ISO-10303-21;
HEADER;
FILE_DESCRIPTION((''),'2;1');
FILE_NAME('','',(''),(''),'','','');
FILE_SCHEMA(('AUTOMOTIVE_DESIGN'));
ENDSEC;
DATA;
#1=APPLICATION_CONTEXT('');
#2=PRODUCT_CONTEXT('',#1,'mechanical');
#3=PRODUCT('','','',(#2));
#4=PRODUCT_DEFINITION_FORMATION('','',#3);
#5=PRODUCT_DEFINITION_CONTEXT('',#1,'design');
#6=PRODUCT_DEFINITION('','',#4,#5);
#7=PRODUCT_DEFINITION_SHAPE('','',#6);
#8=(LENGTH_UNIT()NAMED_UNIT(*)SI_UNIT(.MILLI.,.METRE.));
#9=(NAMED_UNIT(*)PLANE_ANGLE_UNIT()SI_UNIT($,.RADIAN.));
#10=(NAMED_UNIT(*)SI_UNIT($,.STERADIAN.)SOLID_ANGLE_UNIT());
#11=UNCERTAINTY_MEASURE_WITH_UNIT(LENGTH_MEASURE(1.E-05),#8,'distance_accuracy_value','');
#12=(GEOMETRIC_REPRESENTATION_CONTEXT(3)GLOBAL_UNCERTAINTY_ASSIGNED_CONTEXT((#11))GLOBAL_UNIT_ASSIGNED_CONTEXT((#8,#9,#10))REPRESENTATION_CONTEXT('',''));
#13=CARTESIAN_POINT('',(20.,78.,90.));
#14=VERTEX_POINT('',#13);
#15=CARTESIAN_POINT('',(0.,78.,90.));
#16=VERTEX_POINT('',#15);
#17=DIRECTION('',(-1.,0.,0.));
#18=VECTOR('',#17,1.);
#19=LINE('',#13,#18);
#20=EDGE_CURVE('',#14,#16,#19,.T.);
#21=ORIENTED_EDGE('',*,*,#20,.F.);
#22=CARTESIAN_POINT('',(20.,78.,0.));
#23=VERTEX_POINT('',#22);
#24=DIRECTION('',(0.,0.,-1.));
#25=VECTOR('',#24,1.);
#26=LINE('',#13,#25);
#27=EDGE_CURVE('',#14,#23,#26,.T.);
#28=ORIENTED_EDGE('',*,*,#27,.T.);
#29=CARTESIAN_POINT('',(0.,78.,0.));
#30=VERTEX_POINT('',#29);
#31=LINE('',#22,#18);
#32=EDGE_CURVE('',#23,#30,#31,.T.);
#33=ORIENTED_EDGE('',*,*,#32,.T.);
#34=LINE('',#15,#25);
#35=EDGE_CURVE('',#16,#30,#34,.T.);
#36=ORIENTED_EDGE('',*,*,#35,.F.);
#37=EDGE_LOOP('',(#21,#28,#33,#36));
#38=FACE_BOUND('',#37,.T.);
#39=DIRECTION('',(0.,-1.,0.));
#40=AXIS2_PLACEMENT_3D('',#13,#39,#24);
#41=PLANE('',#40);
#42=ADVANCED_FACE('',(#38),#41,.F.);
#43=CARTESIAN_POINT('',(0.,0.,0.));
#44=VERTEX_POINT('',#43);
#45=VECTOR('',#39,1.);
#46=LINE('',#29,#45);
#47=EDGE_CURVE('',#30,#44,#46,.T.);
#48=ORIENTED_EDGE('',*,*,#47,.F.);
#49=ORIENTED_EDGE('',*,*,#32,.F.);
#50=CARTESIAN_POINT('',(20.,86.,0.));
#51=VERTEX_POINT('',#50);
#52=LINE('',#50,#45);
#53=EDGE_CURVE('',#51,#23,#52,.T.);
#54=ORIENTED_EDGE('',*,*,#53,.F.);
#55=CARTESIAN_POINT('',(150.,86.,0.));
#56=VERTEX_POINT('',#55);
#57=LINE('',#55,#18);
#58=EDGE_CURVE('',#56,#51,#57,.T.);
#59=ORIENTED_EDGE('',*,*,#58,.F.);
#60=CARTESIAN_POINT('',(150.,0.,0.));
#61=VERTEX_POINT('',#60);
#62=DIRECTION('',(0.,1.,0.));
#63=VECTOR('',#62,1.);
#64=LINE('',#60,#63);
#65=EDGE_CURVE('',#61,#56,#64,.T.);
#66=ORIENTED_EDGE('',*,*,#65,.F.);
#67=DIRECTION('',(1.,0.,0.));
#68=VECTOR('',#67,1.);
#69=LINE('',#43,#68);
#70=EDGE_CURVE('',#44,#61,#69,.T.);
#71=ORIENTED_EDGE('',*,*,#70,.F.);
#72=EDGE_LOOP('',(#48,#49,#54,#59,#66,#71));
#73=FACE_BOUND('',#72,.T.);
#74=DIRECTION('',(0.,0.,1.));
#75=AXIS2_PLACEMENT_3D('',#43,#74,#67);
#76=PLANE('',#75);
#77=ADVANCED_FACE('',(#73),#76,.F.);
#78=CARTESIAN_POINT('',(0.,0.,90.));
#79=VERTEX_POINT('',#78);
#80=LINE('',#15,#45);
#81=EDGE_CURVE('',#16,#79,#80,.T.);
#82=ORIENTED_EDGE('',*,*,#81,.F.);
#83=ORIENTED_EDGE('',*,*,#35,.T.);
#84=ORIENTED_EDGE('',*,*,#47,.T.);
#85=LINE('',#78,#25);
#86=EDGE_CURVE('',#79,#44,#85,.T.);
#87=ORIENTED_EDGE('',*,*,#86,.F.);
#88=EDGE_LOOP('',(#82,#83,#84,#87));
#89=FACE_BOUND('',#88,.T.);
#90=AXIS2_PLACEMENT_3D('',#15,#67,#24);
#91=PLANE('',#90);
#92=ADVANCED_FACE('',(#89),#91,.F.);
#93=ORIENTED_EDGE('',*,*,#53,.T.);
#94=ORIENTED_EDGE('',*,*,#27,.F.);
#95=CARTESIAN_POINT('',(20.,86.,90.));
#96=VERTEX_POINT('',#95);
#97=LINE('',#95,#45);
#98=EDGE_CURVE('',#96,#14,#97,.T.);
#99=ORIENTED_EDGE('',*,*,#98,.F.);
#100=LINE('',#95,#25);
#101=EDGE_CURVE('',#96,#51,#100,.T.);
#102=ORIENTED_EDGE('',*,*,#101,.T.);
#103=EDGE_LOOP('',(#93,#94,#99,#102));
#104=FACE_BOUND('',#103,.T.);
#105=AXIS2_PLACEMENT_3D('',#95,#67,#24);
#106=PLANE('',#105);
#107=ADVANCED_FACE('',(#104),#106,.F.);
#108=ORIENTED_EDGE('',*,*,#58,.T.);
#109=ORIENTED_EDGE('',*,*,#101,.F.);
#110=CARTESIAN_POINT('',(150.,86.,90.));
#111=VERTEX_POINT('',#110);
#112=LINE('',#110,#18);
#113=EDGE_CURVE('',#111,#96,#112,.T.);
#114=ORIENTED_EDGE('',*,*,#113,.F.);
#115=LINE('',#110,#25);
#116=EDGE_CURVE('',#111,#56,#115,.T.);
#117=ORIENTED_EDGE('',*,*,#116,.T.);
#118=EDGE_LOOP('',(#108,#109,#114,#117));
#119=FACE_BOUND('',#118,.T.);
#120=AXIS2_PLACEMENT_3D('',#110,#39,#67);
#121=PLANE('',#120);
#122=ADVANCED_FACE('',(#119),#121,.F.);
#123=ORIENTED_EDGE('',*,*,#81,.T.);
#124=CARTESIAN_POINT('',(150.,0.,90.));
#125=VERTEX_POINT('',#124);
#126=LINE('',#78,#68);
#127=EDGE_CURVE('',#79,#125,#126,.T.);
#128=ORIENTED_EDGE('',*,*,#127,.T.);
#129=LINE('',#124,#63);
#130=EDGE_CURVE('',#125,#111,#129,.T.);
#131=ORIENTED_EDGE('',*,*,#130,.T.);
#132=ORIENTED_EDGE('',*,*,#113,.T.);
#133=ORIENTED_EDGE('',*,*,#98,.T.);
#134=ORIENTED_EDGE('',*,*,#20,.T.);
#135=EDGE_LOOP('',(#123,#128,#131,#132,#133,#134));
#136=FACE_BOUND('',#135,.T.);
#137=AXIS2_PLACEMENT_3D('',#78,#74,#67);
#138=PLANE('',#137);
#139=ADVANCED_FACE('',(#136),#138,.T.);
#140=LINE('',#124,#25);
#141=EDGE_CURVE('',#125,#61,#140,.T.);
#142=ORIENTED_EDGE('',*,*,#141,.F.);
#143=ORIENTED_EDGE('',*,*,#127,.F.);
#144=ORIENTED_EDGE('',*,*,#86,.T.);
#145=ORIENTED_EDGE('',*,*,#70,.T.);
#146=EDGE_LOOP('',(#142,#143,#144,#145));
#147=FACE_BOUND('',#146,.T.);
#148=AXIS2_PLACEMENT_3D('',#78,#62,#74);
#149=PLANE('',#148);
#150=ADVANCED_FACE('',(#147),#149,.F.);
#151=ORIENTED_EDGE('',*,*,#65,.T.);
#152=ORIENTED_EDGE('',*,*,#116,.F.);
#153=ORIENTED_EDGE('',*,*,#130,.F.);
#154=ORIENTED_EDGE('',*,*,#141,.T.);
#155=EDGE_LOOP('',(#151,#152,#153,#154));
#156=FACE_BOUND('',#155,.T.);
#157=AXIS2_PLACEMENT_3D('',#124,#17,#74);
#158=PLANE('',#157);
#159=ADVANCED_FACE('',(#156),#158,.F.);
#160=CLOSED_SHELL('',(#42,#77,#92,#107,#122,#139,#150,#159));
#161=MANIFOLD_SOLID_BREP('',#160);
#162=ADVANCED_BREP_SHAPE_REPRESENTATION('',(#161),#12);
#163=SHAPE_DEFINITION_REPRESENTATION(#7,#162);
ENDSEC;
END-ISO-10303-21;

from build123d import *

# Parameters (mm, degrees)
EXTRUDE_1_DEPTH = 90


with BuildPart() as part:
    # 草图1 → 凸台-拉伸1 (new body)
    with BuildSketch(Plane.XY):
        Polygon((0, 0), (150, 0), (150, 86), (20, 86), (20, 78), (0, 78), align=None)
    extrude(amount=EXTRUDE_1_DEPTH)


solid = part.part
